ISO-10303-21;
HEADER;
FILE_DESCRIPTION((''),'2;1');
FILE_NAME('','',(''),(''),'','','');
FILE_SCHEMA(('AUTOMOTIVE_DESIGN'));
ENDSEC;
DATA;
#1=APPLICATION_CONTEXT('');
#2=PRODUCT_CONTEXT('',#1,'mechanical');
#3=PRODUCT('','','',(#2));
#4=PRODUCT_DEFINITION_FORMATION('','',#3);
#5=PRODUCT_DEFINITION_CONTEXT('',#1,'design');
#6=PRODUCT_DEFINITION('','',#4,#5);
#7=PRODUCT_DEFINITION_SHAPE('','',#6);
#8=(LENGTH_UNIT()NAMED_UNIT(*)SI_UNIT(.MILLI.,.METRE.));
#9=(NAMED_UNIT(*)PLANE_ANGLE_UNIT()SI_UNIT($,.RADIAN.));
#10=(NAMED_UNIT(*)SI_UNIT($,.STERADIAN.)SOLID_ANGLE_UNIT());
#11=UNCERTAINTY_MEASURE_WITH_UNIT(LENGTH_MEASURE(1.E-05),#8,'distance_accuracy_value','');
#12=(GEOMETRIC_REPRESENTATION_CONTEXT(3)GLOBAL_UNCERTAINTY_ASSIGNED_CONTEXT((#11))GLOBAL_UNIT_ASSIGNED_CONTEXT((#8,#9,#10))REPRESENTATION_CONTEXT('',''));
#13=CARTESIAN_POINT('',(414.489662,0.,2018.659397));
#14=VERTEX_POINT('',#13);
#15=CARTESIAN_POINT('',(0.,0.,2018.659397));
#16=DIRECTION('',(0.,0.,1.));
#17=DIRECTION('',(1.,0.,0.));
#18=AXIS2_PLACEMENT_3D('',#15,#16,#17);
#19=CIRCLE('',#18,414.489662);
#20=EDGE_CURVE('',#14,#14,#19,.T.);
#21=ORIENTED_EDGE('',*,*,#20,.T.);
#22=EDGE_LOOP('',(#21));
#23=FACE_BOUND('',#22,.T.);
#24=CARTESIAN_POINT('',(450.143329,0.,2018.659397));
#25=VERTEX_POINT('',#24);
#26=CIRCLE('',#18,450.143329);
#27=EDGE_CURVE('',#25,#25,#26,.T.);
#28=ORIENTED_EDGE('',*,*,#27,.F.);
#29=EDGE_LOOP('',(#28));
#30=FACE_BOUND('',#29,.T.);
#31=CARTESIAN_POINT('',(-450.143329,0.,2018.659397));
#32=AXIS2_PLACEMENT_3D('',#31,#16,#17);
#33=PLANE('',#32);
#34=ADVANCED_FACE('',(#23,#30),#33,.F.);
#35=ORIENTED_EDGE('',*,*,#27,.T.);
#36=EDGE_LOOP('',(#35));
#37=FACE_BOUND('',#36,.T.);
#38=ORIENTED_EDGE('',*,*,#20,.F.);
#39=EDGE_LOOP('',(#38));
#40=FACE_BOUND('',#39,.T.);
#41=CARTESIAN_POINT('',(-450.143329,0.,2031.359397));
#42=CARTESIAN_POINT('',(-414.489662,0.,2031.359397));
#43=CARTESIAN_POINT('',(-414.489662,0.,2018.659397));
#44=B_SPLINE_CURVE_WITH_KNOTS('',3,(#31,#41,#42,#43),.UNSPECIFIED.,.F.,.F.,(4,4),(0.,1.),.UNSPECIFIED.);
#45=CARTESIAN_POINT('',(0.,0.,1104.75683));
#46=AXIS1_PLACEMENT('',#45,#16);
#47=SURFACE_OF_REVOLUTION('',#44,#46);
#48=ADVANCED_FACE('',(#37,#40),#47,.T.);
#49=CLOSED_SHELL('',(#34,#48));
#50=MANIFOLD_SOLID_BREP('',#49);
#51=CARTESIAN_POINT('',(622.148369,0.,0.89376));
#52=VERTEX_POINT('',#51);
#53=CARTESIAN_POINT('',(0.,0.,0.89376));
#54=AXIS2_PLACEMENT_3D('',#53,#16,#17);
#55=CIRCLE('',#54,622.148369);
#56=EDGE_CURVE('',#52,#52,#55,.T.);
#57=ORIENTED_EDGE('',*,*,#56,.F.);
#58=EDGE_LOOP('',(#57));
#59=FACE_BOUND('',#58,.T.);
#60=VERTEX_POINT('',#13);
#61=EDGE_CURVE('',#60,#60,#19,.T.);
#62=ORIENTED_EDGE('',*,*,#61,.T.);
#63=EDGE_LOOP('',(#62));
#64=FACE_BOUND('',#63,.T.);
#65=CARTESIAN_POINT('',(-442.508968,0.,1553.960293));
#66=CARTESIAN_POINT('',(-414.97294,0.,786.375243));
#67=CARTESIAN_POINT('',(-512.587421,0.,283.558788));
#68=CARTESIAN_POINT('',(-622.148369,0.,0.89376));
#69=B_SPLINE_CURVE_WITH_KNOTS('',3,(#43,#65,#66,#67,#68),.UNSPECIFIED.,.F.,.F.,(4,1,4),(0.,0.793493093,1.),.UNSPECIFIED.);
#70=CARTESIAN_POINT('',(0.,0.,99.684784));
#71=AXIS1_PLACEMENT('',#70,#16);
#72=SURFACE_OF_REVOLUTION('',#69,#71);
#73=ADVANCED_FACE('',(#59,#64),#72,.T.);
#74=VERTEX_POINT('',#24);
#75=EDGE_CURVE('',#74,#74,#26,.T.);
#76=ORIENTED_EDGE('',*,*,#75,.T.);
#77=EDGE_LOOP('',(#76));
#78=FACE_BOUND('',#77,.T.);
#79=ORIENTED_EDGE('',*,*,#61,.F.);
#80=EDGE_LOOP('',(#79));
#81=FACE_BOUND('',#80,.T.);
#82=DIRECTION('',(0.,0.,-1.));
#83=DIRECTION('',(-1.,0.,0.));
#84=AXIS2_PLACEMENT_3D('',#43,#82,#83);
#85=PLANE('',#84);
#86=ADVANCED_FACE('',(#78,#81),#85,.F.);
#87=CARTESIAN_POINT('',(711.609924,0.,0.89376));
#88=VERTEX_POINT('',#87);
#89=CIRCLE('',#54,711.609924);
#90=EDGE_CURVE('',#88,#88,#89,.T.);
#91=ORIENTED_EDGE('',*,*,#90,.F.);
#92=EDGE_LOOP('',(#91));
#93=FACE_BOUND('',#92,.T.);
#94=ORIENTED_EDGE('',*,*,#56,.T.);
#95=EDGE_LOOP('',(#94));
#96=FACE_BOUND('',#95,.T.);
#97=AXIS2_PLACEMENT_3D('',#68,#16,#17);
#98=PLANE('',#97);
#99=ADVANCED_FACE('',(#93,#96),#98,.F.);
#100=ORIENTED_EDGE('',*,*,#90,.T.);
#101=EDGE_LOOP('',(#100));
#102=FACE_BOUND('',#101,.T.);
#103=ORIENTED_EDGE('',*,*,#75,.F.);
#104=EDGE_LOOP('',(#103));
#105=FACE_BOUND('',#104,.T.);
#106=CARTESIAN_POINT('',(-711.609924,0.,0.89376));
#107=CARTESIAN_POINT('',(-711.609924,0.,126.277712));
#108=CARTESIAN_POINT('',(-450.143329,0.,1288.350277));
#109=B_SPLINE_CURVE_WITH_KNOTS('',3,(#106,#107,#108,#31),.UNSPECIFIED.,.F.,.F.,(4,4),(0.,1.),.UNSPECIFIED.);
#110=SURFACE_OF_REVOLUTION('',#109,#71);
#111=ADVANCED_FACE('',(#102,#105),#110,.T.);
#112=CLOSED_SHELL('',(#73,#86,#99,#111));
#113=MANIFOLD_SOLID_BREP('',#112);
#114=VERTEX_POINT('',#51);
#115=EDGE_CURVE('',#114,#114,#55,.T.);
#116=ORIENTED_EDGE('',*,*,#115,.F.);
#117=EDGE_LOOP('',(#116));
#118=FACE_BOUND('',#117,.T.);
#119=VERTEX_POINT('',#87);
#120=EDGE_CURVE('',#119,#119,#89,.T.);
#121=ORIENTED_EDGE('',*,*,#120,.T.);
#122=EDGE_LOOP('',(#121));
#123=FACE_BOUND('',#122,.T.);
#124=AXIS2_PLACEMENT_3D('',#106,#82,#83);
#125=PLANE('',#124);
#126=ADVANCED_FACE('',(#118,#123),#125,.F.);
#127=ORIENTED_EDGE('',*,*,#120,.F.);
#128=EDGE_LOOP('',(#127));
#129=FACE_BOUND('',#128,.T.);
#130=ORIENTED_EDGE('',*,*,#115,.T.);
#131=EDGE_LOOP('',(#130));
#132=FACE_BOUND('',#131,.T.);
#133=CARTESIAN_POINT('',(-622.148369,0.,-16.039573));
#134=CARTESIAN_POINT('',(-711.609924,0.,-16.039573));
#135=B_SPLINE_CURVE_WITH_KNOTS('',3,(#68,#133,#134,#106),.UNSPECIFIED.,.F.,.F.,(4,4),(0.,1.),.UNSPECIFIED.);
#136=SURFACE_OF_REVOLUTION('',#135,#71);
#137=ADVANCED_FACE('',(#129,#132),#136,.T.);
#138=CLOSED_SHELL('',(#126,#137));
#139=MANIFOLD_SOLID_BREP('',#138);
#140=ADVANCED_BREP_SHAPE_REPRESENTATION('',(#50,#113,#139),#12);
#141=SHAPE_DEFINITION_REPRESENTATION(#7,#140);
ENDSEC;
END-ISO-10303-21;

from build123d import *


with BuildPart() as part:
    # Sketch21 → Revolve2 (revolve)
    with BuildSketch(Plane(origin=(0, 0, 0), x_dir=(1, 0, 0), z_dir=(0, 1, 0))):
        with BuildLine():
            Line((-414.489662379, -2018.659396945), (-450.143329298, -2018.659396945))
            add(Edge.make_bspline(
                [(-711.609923736, -0.893759873), (-711.609923736, -126.27771225), (-450.143329298, -1288.35027656), (-450.143329298, -2018.659396945)],
                knots=[0, 0, 0, 0, 1, 1, 1, 1], degree=3))
            Line((-711.609923736, -0.893759873), (-622.148368512, -0.893759873))
            add(Edge.make_bspline(
                [(-622.148368512, -0.893759873), (-512.587421425, -283.558787507), (-414.972940266, -786.375242865), (-442.508967605, -1553.960293497), (-414.489662379, -2018.659396945)],
                knots=[0, 0, 0, 0, 0.206506907, 1, 1, 1, 1], degree=3))
        make_face()
    revolve(axis=Axis((0, 0, 99.684784321), (0, 0, -1)))


with BuildPart() as body_2:
    # Sketch22 → Revolve3 (revolve)
    with BuildSketch(Plane(origin=(0, 0, 0), x_dir=(1, 0, 0), z_dir=(0, 1, 0))):
        with BuildLine():
            Line((-711.609923736, -0.893759873), (-622.148368512, -0.893759873))
            add(Edge.make_bspline(
                [(-711.609923736, -0.893759873), (-711.609923736, 16.03957346), (-622.148368512, 16.03957346), (-622.148368512, -0.893759873)],
                knots=[0, 0, 0, 0, 1, 1, 1, 1], degree=3))
        make_face()
    revolve(axis=Axis((0, 0, 99.684784321), (0, 0, -1)))


with BuildPart() as body_3:
    # Sketch23 → Revolve4 (revolve)
    with BuildSketch(Plane(origin=(0, 0, 0), x_dir=(1, 0, 0), z_dir=(0, 1, 0))):
        with BuildLine():
            Line((-450.143329298, -2018.659396945), (-414.489662379, -2018.659396945))
            add(Edge.make_bspline(
                [(-450.143329298, -2018.659396945), (-450.143329298, -2031.359396945), (-414.489662379, -2031.359396945), (-414.489662379, -2018.659396945)],
                knots=[0, 0, 0, 0, 1, 1, 1, 1], degree=3))
        make_face()
    revolve(axis=Axis((0, 0, 1104.756830123), (0, 0, -1)))


solid = Compound([part.part, body_2.part, body_3.part])
